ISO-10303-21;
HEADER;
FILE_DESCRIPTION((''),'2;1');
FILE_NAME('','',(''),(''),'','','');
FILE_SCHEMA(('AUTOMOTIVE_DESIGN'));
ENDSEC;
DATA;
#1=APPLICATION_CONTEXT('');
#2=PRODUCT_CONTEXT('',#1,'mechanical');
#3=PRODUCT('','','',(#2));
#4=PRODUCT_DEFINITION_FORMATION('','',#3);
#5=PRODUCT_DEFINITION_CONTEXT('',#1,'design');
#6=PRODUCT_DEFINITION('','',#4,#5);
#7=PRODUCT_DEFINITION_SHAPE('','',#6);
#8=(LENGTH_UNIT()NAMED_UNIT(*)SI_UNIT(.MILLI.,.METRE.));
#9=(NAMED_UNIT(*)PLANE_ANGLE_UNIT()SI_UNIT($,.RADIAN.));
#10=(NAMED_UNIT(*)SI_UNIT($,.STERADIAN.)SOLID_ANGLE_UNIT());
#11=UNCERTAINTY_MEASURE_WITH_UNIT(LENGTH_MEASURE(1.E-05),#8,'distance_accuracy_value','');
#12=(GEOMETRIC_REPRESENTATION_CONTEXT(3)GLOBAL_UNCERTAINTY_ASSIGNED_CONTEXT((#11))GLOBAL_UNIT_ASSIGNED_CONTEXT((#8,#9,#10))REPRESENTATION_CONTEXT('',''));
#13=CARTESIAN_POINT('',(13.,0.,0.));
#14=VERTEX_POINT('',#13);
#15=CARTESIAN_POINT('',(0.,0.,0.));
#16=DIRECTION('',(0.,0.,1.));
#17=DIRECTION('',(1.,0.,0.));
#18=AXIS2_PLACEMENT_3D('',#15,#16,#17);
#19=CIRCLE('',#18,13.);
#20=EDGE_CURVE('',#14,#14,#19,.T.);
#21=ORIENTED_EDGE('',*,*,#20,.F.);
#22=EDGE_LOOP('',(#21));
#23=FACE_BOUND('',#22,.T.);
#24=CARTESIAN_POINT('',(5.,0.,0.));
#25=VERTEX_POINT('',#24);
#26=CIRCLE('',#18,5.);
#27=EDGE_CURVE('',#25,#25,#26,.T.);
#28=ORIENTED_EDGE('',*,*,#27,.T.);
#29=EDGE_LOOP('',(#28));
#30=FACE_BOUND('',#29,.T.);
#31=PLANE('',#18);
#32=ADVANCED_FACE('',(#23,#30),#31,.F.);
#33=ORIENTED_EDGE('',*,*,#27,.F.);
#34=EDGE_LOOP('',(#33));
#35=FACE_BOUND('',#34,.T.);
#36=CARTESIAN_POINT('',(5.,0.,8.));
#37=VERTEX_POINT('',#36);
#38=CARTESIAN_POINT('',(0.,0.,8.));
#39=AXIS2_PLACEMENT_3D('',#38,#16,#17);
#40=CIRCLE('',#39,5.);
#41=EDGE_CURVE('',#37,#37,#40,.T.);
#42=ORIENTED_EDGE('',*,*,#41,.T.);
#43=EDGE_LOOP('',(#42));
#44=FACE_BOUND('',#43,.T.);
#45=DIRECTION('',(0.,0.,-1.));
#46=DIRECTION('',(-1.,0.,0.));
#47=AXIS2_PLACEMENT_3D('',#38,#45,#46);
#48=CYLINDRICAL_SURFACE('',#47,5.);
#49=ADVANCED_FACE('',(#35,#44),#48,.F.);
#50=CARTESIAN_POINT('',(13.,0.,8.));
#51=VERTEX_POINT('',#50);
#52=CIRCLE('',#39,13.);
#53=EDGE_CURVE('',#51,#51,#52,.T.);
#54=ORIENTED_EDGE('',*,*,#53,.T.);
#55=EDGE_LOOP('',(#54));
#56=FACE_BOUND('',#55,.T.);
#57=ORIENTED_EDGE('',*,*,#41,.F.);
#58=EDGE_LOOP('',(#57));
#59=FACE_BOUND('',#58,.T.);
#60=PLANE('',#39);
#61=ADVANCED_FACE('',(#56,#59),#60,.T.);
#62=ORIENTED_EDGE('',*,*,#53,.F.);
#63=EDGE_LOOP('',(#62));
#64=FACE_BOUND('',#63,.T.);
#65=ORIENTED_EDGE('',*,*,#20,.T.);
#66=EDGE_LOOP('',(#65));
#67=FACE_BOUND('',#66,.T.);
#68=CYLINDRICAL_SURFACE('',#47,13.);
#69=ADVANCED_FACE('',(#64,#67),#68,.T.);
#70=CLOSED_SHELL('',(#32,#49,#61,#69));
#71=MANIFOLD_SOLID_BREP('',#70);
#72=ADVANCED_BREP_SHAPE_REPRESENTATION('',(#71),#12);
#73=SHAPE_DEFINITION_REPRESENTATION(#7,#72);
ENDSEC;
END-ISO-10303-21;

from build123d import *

# Parameters (mm, degrees)
CROQUIS1_R              = 13
CROQUIS1_R_2            = 5
SALIENTE_EXTRUIR1_DEPTH = 8


with BuildPart() as part:
    # Croquis1 → Saliente-Extruir1 (new body)
    with BuildSketch(Plane.XY):
        Circle(CROQUIS1_R)
        Circle(CROQUIS1_R_2, mode=Mode.SUBTRACT)
    extrude(amount=SALIENTE_EXTRUIR1_DEPTH)


solid = part.part
